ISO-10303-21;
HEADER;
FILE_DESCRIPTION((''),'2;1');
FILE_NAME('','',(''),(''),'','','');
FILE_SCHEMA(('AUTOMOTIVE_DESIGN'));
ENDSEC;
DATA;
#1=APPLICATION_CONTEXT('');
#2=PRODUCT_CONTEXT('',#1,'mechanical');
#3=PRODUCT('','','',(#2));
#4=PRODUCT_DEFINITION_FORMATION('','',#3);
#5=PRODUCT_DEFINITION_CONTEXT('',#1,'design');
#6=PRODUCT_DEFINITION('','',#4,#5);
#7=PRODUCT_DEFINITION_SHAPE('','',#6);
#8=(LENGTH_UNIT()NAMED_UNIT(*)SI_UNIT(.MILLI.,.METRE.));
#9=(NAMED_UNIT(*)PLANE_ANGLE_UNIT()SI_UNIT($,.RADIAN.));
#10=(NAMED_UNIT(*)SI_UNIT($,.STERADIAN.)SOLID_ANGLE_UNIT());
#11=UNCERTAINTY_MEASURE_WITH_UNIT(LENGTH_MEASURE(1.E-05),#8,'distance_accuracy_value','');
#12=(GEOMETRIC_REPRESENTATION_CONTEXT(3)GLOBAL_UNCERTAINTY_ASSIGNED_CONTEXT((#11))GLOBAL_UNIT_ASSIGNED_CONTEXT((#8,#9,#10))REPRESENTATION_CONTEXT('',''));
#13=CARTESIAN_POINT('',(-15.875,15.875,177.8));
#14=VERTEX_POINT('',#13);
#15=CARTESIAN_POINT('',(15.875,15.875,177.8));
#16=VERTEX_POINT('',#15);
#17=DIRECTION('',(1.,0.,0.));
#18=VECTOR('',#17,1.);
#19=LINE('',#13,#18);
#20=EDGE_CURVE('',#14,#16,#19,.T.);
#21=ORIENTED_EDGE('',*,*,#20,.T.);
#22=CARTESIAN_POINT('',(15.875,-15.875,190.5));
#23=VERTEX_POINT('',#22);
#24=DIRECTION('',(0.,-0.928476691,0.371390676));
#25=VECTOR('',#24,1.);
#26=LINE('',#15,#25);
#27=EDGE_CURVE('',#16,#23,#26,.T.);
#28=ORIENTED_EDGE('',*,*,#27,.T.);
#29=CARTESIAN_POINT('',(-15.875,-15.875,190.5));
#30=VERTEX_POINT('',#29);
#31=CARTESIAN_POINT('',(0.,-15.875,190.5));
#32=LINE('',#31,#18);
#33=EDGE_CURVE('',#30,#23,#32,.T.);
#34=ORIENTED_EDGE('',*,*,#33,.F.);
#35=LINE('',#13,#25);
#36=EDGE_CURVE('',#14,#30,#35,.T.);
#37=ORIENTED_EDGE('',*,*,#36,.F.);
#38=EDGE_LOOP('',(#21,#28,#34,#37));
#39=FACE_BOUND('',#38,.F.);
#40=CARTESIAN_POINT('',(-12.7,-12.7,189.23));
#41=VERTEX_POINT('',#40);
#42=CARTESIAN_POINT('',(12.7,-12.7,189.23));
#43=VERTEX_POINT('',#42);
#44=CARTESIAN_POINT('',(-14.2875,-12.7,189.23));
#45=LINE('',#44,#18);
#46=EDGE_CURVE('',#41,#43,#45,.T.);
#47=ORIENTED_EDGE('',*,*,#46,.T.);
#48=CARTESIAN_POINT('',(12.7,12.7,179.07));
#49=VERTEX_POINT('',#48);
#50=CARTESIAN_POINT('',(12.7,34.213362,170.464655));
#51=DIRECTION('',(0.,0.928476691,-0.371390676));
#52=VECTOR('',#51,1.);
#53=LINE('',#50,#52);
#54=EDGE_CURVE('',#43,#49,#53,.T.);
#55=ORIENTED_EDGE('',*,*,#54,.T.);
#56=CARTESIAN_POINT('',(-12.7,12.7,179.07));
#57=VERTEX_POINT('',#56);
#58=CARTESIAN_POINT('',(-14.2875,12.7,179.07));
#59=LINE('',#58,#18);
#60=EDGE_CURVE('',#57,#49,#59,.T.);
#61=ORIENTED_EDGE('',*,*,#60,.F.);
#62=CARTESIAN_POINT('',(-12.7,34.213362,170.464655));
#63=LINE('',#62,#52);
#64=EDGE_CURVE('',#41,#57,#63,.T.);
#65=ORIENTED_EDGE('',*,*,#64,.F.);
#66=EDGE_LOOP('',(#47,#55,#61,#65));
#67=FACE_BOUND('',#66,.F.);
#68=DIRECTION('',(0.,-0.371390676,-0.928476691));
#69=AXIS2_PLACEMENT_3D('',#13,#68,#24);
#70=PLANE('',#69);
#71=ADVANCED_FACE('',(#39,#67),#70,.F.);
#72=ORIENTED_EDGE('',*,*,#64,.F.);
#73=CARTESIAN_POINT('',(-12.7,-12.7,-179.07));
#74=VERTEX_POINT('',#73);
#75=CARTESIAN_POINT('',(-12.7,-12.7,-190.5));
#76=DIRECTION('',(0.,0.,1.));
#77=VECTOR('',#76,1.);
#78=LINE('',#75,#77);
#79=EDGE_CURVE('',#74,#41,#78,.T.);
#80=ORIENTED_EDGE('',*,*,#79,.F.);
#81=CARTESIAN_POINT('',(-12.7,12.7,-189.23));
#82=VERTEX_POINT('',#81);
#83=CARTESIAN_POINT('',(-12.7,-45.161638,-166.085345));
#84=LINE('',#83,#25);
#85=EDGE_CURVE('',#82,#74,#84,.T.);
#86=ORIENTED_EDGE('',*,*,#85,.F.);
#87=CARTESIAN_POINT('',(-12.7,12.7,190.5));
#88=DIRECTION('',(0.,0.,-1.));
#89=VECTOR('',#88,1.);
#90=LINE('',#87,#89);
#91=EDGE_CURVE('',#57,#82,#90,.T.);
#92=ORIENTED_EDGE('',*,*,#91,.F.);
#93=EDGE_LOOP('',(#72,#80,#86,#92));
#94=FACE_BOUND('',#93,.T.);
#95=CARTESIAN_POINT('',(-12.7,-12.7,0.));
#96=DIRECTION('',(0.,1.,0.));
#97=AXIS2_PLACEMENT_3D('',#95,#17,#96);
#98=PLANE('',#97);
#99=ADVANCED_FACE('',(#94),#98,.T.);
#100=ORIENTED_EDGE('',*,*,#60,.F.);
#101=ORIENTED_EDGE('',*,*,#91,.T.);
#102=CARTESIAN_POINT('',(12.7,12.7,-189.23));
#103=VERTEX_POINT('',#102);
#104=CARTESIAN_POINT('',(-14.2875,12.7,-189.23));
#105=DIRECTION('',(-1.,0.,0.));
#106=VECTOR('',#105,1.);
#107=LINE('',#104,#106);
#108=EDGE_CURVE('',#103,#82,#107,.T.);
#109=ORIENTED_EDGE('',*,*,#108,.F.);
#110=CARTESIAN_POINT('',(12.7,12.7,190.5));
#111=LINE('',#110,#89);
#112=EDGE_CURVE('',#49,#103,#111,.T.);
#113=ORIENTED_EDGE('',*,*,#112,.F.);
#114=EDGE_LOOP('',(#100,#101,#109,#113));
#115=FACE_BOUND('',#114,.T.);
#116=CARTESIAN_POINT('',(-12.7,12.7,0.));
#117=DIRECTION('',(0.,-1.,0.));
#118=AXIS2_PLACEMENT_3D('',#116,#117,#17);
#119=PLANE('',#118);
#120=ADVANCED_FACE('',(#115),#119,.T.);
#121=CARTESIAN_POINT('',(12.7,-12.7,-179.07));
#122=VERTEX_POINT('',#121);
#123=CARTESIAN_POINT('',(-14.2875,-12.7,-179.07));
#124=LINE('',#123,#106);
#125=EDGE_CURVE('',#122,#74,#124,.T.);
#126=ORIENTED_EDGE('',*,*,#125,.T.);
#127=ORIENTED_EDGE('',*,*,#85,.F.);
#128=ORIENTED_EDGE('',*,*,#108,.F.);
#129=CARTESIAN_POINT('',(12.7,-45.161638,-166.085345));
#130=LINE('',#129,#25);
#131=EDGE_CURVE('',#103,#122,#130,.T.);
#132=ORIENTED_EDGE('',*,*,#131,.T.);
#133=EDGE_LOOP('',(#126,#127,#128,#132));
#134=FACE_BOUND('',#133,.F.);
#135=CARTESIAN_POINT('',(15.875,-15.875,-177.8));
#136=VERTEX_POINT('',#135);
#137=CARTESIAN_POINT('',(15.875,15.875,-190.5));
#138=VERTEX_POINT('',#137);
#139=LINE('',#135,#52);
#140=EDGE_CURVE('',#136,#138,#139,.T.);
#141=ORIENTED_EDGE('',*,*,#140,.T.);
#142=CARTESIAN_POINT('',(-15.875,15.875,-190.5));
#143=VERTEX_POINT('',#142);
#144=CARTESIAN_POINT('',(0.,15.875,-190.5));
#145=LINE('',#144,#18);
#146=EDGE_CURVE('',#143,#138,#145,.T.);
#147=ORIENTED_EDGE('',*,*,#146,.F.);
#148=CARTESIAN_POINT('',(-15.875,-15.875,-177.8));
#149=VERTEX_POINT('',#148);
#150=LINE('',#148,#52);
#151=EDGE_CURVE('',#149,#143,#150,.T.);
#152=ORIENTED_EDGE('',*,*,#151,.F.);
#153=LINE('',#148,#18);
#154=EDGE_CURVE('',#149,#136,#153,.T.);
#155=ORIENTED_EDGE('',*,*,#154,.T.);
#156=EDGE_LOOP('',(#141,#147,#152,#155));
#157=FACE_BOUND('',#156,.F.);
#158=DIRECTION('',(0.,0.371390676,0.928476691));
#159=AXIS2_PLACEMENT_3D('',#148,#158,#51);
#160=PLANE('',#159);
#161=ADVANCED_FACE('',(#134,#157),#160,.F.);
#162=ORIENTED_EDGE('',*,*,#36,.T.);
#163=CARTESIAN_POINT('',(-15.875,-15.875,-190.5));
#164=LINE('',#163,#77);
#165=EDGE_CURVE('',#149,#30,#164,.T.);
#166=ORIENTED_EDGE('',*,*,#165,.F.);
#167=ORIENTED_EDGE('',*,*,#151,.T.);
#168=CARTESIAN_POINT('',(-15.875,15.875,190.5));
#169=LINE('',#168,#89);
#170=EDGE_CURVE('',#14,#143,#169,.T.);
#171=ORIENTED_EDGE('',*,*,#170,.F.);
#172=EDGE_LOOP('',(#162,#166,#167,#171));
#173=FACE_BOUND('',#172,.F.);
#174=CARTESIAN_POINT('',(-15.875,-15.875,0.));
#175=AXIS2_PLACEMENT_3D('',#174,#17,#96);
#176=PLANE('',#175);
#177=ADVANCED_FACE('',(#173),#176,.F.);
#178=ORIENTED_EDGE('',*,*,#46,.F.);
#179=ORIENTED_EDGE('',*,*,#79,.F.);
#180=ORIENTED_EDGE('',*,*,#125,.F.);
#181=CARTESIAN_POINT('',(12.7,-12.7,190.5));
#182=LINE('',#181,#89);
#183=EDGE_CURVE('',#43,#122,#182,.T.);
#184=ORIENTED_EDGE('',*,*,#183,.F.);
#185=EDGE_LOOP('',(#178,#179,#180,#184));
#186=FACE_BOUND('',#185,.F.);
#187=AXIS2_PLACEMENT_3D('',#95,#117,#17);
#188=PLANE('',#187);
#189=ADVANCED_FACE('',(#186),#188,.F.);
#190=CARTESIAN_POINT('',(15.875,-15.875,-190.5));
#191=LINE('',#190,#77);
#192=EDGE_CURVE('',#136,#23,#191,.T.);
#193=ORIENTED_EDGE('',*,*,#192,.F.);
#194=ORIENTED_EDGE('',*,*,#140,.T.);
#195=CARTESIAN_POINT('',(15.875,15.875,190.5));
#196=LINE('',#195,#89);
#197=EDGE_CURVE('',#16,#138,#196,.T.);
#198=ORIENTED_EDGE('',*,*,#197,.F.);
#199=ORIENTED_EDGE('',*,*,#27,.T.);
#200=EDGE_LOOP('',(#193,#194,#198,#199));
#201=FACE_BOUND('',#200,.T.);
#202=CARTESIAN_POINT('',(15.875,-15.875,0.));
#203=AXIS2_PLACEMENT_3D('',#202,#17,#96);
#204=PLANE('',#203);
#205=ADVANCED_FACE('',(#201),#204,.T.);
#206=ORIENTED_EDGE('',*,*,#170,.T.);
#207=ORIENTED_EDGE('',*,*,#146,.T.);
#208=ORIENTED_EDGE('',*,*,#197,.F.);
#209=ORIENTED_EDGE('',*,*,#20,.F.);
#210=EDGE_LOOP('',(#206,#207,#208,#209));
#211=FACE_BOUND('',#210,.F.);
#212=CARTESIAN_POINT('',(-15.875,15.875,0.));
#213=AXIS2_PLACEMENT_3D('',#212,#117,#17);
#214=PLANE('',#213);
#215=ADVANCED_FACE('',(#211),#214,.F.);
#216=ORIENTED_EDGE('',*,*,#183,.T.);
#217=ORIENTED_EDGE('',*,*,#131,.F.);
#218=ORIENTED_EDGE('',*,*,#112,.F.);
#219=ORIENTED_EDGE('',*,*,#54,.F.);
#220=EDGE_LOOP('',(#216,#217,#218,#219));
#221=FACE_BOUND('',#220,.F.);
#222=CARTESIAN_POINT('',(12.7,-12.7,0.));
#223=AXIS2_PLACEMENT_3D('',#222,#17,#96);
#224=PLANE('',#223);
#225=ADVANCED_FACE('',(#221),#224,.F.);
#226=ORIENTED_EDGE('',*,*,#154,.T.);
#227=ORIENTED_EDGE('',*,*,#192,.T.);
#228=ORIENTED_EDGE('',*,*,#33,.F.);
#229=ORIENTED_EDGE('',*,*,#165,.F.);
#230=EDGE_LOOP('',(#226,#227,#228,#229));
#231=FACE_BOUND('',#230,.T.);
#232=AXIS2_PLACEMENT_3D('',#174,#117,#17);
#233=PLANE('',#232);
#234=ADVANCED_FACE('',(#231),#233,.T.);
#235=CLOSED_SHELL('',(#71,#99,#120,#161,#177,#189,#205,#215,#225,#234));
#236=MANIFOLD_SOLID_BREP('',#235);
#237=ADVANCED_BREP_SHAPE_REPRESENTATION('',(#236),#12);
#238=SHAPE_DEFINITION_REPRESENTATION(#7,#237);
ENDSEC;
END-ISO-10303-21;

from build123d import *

# Parameters (mm, degrees)
F0_W     = 31.75
F0_H     = 31.75
F0_W_2   = 25.4
F0_H_2   = 25.4
F1_DEPTH = 190.5
F3_DEPTH = 31.75
F5_DEPTH = 31.75


with BuildPart() as f1:
    # F0 (on Top) → F1 (new body, symmetric)
    with BuildSketch(Plane.XY):
        Rectangle(F0_W, F0_H)
        Rectangle(F0_W_2, F0_H_2, mode=Mode.SUBTRACT)
    extrude(amount=F1_DEPTH, both=True)

    # F2 (on face) → F3 (cut)
    with BuildSketch(Plane(origin=(-15.875, 0, 0), x_dir=(0, -1, 0), z_dir=(-1, 0, 0))):
        Polygon((15.875, 190.5), (-15.875, 190.5), (-15.875, 177.8), align=None)
    extrude(amount=-F3_DEPTH, mode=Mode.SUBTRACT)

    # F4 (on face) → F5 (cut)
    with BuildSketch(Plane(origin=(-15.875, 0, 0), x_dir=(0, -1, 0), z_dir=(-1, 0, 0))):
        Polygon((-15.875, -190.5), (15.875, -190.5), (15.875, -177.8), align=None)
    extrude(amount=-F5_DEPTH, mode=Mode.SUBTRACT)


solid = f1.part
